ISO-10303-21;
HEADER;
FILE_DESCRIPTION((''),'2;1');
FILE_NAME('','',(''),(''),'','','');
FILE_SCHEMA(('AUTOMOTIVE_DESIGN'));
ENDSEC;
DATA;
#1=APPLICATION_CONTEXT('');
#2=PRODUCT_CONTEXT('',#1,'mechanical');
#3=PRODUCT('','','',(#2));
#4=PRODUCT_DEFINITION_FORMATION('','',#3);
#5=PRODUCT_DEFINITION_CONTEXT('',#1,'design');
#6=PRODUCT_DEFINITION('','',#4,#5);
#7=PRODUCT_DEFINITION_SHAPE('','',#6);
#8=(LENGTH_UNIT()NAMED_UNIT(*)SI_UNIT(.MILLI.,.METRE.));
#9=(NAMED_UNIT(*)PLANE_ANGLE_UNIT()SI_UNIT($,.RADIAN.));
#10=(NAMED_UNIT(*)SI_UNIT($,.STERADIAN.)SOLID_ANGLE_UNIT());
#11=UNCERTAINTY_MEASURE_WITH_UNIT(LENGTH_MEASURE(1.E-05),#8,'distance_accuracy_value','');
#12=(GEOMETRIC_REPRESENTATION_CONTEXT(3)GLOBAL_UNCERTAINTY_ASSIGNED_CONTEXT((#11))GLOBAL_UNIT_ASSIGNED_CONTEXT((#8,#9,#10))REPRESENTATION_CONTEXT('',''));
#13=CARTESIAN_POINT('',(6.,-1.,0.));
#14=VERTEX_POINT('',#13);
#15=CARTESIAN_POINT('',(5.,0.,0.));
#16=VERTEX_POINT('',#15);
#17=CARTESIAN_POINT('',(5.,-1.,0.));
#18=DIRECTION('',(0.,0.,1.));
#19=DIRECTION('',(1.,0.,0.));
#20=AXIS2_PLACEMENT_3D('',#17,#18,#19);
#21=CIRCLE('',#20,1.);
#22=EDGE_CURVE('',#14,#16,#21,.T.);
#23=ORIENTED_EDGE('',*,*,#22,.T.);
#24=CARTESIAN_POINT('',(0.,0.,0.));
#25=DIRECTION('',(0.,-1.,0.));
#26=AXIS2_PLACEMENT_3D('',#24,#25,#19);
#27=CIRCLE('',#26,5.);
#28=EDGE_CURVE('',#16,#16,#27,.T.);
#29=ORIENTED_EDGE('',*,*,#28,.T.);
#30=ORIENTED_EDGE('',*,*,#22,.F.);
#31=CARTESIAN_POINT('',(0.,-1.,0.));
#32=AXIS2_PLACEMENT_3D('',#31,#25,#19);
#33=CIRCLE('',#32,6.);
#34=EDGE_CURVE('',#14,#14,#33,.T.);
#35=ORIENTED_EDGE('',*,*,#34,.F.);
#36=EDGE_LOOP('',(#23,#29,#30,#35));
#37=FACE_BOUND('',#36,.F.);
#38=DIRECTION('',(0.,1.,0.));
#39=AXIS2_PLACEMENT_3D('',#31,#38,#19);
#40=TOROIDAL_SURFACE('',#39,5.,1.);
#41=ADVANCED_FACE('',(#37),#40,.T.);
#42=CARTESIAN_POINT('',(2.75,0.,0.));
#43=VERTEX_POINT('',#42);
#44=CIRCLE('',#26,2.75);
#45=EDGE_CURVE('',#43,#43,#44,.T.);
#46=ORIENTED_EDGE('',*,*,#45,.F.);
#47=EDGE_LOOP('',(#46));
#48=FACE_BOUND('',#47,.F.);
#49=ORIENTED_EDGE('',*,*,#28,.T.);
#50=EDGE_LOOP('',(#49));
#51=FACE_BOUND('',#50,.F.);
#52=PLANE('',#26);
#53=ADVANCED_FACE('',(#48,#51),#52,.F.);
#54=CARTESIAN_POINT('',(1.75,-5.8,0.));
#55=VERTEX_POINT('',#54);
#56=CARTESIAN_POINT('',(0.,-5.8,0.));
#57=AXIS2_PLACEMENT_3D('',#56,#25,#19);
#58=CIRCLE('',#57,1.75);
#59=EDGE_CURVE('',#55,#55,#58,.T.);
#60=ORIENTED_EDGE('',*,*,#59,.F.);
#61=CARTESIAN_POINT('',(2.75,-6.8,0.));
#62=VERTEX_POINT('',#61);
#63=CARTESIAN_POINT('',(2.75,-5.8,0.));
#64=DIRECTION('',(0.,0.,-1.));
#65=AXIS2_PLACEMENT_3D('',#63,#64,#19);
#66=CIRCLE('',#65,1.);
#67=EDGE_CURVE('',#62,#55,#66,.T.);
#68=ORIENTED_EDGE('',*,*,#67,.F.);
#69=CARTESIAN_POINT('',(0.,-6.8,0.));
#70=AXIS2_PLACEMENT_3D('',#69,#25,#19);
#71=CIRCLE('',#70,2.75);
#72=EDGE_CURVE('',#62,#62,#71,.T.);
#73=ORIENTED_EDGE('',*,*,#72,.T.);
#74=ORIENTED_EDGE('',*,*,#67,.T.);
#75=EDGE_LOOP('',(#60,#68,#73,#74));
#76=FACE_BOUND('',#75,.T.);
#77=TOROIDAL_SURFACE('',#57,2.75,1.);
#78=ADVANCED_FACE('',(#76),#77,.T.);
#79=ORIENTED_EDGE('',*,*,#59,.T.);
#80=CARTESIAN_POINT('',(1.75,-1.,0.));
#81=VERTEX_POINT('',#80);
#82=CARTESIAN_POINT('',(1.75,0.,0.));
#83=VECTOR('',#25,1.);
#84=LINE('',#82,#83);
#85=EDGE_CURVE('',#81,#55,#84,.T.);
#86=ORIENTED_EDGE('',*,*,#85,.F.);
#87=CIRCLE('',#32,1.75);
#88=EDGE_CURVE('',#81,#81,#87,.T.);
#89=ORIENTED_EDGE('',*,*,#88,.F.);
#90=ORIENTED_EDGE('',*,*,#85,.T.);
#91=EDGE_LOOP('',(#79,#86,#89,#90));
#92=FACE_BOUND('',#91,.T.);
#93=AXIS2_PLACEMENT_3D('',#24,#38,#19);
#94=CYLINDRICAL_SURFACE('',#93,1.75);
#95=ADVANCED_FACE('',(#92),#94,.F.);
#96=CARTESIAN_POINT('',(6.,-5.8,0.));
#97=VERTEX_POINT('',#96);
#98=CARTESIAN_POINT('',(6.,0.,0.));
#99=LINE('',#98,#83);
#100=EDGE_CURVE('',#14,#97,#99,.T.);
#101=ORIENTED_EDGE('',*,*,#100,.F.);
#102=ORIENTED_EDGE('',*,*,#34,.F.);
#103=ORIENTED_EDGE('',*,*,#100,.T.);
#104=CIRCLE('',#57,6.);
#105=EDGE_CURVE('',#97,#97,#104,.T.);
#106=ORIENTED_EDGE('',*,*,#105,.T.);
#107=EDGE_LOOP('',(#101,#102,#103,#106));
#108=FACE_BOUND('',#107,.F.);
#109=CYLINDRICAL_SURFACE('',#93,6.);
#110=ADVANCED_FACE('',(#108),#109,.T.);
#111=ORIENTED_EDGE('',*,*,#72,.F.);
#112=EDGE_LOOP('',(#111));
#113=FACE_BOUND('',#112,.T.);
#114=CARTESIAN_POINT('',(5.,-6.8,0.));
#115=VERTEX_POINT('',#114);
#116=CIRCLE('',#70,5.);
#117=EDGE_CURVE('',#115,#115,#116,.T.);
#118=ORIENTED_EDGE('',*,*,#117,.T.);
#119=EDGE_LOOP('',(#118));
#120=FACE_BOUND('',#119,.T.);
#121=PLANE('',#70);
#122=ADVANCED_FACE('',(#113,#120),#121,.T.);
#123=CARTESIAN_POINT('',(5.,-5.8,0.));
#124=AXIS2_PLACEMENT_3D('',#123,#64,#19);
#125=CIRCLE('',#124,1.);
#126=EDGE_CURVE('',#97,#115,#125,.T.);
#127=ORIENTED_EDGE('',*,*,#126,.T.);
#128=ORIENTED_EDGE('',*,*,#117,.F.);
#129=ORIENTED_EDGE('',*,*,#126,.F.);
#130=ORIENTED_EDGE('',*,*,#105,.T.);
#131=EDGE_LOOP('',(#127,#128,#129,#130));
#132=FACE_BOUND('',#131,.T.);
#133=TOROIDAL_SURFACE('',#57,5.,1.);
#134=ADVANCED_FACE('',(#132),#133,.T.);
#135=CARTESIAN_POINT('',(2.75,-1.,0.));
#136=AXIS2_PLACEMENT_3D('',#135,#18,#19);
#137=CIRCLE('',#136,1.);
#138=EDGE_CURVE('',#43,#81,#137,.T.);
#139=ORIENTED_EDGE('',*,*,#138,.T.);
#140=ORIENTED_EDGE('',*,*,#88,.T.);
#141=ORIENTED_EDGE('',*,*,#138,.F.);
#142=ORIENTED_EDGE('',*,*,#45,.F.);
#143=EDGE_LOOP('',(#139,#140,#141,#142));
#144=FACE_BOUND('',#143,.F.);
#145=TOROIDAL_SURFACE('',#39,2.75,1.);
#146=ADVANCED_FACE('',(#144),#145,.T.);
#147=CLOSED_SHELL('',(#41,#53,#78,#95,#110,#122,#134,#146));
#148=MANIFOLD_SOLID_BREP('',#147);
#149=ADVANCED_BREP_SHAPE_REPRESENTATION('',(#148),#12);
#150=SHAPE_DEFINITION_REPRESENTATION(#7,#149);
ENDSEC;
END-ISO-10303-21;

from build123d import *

# Parameters (mm, degrees)
F0_R     = 6
F0_R_2   = 1.75
F1_DEPTH = 6.8
F2_R     = 1
F3_R     = 1


with BuildPart() as f1:
    # F0 (on Front) → F1 (new body)
    with BuildSketch(Plane.XZ):
        Circle(F0_R)
        Circle(F0_R_2, mode=Mode.SUBTRACT)
    extrude(amount=F1_DEPTH)

    # F2
    f2_edges = [f1.edges().sort_by_distance(p)[0] for p in [
        (-6, -6.8, 0),
        (-6, 0, 0),
    ]]
    fillet(f2_edges, radius=F2_R)

    # F3
    f3_edges = [f1.edges().sort_by_distance(p)[0] for p in [
        (-1.75, -6.8, 0),
        (-1.75, 0, 0),
    ]]
    fillet(f3_edges, radius=F3_R)


solid = f1.part
